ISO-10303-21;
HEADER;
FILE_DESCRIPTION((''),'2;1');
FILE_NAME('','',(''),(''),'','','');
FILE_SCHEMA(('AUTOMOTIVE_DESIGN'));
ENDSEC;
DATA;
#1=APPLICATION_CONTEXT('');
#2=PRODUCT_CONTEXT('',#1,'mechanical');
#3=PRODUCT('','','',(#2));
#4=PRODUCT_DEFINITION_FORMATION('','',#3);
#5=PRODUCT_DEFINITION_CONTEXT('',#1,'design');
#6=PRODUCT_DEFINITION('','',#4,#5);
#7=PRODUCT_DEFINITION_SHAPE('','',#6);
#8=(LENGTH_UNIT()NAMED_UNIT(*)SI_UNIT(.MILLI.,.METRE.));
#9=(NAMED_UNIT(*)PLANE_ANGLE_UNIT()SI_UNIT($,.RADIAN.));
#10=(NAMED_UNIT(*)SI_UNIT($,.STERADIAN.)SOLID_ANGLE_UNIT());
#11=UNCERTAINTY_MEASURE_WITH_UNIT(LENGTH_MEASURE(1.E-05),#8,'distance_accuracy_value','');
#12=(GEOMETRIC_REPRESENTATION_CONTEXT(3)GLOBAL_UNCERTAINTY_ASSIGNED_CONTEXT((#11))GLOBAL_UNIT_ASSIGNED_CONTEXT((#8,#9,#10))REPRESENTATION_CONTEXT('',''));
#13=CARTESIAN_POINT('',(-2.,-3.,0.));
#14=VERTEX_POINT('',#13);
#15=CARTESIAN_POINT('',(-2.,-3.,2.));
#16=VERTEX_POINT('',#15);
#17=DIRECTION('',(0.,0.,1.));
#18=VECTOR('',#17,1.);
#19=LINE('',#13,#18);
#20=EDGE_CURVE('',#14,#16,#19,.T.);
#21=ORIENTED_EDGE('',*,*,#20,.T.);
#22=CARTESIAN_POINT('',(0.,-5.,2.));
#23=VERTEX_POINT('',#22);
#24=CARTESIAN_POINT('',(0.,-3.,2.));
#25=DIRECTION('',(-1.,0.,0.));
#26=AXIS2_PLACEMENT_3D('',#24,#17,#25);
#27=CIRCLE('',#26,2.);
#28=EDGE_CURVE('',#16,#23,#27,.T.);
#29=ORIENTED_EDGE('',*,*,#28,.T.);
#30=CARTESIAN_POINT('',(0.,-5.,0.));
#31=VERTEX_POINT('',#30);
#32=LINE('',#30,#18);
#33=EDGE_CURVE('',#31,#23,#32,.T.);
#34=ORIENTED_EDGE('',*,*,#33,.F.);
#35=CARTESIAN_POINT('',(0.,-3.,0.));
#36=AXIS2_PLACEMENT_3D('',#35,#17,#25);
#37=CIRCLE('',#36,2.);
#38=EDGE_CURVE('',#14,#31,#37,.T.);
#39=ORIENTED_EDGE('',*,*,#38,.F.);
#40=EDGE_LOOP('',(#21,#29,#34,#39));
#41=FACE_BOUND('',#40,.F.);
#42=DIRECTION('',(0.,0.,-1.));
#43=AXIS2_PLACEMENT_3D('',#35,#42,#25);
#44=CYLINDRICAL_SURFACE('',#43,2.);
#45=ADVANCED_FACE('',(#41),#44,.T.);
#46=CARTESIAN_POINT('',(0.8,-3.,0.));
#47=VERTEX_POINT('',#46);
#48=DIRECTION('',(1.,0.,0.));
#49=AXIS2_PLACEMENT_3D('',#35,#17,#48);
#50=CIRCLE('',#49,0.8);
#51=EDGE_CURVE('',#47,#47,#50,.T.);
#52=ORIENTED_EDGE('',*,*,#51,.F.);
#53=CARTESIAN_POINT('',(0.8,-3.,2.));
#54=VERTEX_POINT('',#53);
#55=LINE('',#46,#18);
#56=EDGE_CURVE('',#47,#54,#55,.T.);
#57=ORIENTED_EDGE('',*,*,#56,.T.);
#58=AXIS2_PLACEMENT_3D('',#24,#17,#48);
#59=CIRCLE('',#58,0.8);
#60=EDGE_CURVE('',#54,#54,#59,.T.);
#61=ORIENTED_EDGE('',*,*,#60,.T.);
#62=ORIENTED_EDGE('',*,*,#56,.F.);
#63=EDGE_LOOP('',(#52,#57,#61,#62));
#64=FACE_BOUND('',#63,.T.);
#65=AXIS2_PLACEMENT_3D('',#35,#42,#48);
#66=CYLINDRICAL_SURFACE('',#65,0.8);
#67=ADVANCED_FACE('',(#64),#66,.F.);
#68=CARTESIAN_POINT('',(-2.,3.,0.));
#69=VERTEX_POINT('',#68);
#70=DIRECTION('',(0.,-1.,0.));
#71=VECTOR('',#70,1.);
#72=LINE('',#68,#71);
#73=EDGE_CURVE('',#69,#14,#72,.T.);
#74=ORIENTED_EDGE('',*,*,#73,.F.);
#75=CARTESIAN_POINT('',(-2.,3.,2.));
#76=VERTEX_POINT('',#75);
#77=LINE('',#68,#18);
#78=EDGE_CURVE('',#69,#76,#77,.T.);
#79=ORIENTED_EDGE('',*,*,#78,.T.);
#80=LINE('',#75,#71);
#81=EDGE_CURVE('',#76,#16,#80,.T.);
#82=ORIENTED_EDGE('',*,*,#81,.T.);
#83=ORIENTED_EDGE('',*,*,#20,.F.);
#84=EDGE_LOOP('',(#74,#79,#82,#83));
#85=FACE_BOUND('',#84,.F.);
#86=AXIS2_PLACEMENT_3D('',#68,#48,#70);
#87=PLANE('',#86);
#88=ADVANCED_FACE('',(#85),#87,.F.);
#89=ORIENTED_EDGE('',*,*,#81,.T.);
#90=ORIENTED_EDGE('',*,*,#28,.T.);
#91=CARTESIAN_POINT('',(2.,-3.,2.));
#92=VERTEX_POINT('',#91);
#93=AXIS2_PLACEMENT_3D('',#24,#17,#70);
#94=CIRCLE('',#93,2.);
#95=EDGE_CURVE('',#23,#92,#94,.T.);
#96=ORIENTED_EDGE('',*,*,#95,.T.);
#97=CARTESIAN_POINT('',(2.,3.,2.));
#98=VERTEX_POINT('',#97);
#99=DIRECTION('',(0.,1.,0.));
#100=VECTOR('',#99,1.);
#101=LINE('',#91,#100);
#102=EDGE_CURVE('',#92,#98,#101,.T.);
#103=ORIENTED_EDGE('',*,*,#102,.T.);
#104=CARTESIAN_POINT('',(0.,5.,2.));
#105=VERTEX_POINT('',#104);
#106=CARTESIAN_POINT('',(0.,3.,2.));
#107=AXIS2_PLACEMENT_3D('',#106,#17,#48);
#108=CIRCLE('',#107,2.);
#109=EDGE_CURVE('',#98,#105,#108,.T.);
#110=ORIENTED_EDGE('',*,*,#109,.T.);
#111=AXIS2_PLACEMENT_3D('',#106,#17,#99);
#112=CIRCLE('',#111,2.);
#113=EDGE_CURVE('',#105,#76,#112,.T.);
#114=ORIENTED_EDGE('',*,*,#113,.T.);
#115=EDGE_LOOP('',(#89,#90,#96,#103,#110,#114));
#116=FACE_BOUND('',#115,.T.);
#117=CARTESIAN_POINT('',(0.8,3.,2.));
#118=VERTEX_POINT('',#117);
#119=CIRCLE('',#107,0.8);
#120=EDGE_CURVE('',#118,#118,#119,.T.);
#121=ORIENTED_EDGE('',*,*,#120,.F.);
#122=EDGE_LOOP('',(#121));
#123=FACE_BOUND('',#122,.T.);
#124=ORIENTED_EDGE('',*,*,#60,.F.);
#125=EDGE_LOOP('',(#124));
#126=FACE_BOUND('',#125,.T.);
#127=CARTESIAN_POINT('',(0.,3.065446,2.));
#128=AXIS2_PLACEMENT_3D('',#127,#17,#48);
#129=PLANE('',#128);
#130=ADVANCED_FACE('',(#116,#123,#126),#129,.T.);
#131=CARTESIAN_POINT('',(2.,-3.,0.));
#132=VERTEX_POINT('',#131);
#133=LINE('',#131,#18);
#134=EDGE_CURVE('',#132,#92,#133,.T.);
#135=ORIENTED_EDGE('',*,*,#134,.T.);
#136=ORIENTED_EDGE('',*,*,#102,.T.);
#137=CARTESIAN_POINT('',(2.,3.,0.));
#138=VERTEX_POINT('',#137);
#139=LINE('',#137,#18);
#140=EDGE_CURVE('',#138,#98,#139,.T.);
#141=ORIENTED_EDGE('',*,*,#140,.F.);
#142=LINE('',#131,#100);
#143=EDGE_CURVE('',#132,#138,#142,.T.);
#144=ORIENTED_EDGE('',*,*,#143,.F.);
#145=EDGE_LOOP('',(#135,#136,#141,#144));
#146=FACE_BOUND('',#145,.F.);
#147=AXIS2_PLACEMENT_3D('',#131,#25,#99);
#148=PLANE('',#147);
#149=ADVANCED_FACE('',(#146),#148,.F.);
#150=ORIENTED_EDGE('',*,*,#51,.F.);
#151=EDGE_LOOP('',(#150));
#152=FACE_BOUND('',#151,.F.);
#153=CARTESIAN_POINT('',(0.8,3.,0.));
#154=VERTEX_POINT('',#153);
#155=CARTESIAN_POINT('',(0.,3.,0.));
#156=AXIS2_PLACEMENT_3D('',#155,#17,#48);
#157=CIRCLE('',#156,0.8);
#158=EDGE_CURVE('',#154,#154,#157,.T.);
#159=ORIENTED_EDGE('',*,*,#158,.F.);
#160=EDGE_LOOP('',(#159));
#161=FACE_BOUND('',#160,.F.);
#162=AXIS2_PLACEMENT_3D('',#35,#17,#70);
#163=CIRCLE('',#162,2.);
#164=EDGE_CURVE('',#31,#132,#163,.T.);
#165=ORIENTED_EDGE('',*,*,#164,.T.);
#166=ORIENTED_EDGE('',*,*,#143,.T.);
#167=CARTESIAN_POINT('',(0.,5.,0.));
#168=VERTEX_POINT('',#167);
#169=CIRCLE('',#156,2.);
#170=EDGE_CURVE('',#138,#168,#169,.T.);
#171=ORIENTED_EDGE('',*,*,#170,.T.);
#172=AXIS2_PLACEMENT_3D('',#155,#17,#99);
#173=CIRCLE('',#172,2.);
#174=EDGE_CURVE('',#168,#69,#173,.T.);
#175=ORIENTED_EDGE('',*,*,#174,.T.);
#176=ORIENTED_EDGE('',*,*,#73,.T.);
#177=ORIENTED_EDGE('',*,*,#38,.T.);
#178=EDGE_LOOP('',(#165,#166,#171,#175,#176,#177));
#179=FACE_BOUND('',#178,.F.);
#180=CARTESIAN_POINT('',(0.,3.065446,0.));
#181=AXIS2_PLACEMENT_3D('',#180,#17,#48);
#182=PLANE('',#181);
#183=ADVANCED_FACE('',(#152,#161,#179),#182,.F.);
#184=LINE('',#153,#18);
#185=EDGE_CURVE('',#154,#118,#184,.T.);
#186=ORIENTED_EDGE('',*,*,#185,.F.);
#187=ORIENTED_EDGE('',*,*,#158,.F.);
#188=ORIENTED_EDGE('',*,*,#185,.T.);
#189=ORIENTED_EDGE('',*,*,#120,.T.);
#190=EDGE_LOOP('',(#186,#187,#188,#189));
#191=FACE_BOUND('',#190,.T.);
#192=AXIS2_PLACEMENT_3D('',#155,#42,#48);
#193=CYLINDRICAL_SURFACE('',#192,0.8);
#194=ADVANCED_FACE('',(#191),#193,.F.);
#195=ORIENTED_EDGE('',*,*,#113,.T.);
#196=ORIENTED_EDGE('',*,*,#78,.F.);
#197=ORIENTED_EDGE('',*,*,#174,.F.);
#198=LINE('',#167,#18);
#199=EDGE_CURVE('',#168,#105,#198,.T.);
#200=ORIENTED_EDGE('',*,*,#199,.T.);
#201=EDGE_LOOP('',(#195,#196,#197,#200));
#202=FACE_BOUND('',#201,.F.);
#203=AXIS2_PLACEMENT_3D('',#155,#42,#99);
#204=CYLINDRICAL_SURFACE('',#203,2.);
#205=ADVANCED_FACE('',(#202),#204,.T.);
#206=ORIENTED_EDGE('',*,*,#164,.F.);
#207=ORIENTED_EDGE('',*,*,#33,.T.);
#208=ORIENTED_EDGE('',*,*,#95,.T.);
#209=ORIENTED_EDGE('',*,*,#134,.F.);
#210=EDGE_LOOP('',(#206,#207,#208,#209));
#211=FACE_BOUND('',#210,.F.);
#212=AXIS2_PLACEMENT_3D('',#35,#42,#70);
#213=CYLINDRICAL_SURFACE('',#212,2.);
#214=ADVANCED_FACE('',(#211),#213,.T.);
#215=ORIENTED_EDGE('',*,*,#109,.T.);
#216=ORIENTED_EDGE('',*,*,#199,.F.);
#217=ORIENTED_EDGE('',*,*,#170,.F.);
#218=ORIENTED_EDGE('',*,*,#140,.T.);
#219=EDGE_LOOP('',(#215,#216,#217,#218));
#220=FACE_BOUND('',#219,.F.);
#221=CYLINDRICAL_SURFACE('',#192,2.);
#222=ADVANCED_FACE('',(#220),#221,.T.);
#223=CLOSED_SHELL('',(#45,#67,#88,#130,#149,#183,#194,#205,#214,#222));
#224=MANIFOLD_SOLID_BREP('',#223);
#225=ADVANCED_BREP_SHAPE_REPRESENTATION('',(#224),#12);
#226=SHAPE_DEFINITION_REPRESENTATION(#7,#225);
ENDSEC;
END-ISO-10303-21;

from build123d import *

# Parameters (mm, degrees)
F0_R     = 0.8
F1_DEPTH = 2


with BuildPart() as f1:
    # F0 (on Top) → F1 (new body)
    with BuildSketch(Plane.XY):
        with BuildLine():
            ThreePointArc((2, 3), (1.4142135624, 4.4142135624), (0, 5))
            ThreePointArc((0, 5), (-1.4142135624, 4.4142135624), (-2, 3))
            ThreePointArc((-2, 3), (0, 1), (2, 3))
        make_face()
        with Locations((0, 3)):
            Circle(F0_R, mode=Mode.SUBTRACT)
        with BuildLine():
            ThreePointArc((2, 3), (0, 1), (-2, 3))
            Line((-2, 3), (-2, -3))
            ThreePointArc((-2, -3), (0, -1), (2, -3))
            Line((2, -3), (2, 3))
        make_face()
        with BuildLine():
            ThreePointArc((2, -3), (0, -1), (-2, -3))
            ThreePointArc((-2, -3), (-1.4142135624, -4.4142135624), (0, -5))
            ThreePointArc((0, -5), (1.4142135624, -4.4142135624), (2, -3))
        make_face()
        with Locations((0, -3)):
            Circle(F0_R, mode=Mode.SUBTRACT)
    extrude(amount=F1_DEPTH)


solid = f1.part
